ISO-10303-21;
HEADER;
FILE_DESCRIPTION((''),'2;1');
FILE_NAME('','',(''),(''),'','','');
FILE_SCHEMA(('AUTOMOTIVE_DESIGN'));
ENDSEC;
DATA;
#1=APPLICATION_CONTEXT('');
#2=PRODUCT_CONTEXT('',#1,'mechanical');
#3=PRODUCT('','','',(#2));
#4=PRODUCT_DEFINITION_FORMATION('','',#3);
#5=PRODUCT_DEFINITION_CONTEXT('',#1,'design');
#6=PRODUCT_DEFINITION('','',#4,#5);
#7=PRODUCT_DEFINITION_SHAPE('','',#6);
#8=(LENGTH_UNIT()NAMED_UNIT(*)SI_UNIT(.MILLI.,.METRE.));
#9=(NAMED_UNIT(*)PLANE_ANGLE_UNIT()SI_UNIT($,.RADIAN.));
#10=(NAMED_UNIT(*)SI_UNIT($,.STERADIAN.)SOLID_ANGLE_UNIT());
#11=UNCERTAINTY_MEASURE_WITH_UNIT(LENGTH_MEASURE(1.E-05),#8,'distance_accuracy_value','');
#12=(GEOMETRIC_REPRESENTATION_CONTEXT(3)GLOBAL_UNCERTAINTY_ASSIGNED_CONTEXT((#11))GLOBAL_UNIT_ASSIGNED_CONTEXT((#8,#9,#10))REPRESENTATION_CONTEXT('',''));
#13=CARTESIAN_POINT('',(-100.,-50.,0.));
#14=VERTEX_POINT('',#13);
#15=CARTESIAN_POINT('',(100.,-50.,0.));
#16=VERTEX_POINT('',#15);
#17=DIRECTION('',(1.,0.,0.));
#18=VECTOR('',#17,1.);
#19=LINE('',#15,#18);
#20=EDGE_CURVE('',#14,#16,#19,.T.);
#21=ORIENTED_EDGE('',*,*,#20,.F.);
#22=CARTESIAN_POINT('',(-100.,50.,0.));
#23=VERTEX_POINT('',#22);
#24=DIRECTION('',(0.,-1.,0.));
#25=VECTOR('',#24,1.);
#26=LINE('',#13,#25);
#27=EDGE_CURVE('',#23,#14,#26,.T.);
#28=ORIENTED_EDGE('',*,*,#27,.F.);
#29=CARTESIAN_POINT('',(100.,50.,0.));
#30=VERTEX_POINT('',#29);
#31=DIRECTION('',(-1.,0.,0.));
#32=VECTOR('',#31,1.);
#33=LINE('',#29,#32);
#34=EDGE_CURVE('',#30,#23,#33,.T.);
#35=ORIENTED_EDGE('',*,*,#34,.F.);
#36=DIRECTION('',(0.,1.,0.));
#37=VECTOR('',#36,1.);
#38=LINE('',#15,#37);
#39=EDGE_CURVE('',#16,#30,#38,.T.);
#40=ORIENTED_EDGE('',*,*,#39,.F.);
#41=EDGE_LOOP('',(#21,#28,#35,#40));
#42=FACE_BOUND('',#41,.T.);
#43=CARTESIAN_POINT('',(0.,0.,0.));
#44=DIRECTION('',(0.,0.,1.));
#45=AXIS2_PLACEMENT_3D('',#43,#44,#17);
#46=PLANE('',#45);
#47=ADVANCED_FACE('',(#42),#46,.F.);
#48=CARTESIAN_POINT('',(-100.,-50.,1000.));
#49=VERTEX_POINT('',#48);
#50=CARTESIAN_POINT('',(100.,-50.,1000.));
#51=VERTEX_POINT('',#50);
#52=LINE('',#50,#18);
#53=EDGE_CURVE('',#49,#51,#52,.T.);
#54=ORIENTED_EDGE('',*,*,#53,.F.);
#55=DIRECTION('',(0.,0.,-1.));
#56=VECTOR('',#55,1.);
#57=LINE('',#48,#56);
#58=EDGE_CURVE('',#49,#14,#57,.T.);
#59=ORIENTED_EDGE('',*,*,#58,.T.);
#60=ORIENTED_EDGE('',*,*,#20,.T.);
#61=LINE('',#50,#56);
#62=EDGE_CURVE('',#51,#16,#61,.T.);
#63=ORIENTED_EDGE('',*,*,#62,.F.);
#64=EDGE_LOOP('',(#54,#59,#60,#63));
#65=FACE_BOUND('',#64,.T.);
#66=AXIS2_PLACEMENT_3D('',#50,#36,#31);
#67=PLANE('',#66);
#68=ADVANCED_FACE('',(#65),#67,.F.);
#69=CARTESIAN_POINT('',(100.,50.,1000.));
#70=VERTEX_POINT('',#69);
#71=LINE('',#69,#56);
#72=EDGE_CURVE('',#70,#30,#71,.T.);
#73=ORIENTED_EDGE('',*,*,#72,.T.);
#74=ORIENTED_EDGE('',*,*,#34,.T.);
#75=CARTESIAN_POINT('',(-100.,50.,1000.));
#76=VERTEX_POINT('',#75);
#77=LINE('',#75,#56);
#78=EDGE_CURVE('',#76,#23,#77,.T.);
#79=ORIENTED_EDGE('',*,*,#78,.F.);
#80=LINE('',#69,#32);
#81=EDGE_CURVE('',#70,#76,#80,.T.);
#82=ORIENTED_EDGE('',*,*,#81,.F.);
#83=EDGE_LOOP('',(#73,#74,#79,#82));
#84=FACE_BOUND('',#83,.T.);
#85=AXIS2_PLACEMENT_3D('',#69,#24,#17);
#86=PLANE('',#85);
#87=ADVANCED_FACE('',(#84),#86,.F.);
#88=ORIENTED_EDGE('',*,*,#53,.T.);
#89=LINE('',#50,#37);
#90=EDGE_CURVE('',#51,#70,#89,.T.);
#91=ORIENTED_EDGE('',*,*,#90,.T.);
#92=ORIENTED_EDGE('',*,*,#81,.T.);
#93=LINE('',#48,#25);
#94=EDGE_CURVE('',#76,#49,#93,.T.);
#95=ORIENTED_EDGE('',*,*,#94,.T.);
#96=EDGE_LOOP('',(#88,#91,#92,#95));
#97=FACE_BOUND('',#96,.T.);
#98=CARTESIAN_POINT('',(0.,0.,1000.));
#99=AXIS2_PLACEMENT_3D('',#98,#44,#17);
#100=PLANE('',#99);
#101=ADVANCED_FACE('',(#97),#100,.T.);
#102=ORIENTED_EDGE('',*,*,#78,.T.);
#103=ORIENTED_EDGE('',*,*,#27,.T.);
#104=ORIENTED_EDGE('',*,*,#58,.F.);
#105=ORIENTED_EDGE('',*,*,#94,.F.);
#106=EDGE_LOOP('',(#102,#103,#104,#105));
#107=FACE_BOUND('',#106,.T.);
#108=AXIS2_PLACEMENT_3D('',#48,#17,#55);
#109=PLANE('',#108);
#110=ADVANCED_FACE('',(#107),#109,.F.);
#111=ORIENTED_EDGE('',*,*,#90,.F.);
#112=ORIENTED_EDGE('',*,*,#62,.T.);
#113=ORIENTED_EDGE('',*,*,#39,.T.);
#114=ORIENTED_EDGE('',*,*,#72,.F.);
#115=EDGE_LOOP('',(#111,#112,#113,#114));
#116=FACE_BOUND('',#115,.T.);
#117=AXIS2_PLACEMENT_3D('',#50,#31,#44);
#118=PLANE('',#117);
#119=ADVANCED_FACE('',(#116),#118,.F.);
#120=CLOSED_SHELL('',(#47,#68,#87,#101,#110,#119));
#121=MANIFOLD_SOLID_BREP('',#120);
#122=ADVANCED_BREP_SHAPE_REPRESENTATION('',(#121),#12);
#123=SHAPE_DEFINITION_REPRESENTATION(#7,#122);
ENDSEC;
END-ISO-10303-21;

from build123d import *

# Parameters (mm, degrees)
SCHIZZO1_W                   = 200
SCHIZZO1_H                   = 100
ESTRUSIONE_ESTRUSIONE1_DEPTH = 1000


with BuildPart() as part:
    # Schizzo1 → Estrusione-Estrusione1 (new body)
    with BuildSketch(Plane.XY):
        Rectangle(SCHIZZO1_W, SCHIZZO1_H)
    extrude(amount=ESTRUSIONE_ESTRUSIONE1_DEPTH)


solid = part.part
